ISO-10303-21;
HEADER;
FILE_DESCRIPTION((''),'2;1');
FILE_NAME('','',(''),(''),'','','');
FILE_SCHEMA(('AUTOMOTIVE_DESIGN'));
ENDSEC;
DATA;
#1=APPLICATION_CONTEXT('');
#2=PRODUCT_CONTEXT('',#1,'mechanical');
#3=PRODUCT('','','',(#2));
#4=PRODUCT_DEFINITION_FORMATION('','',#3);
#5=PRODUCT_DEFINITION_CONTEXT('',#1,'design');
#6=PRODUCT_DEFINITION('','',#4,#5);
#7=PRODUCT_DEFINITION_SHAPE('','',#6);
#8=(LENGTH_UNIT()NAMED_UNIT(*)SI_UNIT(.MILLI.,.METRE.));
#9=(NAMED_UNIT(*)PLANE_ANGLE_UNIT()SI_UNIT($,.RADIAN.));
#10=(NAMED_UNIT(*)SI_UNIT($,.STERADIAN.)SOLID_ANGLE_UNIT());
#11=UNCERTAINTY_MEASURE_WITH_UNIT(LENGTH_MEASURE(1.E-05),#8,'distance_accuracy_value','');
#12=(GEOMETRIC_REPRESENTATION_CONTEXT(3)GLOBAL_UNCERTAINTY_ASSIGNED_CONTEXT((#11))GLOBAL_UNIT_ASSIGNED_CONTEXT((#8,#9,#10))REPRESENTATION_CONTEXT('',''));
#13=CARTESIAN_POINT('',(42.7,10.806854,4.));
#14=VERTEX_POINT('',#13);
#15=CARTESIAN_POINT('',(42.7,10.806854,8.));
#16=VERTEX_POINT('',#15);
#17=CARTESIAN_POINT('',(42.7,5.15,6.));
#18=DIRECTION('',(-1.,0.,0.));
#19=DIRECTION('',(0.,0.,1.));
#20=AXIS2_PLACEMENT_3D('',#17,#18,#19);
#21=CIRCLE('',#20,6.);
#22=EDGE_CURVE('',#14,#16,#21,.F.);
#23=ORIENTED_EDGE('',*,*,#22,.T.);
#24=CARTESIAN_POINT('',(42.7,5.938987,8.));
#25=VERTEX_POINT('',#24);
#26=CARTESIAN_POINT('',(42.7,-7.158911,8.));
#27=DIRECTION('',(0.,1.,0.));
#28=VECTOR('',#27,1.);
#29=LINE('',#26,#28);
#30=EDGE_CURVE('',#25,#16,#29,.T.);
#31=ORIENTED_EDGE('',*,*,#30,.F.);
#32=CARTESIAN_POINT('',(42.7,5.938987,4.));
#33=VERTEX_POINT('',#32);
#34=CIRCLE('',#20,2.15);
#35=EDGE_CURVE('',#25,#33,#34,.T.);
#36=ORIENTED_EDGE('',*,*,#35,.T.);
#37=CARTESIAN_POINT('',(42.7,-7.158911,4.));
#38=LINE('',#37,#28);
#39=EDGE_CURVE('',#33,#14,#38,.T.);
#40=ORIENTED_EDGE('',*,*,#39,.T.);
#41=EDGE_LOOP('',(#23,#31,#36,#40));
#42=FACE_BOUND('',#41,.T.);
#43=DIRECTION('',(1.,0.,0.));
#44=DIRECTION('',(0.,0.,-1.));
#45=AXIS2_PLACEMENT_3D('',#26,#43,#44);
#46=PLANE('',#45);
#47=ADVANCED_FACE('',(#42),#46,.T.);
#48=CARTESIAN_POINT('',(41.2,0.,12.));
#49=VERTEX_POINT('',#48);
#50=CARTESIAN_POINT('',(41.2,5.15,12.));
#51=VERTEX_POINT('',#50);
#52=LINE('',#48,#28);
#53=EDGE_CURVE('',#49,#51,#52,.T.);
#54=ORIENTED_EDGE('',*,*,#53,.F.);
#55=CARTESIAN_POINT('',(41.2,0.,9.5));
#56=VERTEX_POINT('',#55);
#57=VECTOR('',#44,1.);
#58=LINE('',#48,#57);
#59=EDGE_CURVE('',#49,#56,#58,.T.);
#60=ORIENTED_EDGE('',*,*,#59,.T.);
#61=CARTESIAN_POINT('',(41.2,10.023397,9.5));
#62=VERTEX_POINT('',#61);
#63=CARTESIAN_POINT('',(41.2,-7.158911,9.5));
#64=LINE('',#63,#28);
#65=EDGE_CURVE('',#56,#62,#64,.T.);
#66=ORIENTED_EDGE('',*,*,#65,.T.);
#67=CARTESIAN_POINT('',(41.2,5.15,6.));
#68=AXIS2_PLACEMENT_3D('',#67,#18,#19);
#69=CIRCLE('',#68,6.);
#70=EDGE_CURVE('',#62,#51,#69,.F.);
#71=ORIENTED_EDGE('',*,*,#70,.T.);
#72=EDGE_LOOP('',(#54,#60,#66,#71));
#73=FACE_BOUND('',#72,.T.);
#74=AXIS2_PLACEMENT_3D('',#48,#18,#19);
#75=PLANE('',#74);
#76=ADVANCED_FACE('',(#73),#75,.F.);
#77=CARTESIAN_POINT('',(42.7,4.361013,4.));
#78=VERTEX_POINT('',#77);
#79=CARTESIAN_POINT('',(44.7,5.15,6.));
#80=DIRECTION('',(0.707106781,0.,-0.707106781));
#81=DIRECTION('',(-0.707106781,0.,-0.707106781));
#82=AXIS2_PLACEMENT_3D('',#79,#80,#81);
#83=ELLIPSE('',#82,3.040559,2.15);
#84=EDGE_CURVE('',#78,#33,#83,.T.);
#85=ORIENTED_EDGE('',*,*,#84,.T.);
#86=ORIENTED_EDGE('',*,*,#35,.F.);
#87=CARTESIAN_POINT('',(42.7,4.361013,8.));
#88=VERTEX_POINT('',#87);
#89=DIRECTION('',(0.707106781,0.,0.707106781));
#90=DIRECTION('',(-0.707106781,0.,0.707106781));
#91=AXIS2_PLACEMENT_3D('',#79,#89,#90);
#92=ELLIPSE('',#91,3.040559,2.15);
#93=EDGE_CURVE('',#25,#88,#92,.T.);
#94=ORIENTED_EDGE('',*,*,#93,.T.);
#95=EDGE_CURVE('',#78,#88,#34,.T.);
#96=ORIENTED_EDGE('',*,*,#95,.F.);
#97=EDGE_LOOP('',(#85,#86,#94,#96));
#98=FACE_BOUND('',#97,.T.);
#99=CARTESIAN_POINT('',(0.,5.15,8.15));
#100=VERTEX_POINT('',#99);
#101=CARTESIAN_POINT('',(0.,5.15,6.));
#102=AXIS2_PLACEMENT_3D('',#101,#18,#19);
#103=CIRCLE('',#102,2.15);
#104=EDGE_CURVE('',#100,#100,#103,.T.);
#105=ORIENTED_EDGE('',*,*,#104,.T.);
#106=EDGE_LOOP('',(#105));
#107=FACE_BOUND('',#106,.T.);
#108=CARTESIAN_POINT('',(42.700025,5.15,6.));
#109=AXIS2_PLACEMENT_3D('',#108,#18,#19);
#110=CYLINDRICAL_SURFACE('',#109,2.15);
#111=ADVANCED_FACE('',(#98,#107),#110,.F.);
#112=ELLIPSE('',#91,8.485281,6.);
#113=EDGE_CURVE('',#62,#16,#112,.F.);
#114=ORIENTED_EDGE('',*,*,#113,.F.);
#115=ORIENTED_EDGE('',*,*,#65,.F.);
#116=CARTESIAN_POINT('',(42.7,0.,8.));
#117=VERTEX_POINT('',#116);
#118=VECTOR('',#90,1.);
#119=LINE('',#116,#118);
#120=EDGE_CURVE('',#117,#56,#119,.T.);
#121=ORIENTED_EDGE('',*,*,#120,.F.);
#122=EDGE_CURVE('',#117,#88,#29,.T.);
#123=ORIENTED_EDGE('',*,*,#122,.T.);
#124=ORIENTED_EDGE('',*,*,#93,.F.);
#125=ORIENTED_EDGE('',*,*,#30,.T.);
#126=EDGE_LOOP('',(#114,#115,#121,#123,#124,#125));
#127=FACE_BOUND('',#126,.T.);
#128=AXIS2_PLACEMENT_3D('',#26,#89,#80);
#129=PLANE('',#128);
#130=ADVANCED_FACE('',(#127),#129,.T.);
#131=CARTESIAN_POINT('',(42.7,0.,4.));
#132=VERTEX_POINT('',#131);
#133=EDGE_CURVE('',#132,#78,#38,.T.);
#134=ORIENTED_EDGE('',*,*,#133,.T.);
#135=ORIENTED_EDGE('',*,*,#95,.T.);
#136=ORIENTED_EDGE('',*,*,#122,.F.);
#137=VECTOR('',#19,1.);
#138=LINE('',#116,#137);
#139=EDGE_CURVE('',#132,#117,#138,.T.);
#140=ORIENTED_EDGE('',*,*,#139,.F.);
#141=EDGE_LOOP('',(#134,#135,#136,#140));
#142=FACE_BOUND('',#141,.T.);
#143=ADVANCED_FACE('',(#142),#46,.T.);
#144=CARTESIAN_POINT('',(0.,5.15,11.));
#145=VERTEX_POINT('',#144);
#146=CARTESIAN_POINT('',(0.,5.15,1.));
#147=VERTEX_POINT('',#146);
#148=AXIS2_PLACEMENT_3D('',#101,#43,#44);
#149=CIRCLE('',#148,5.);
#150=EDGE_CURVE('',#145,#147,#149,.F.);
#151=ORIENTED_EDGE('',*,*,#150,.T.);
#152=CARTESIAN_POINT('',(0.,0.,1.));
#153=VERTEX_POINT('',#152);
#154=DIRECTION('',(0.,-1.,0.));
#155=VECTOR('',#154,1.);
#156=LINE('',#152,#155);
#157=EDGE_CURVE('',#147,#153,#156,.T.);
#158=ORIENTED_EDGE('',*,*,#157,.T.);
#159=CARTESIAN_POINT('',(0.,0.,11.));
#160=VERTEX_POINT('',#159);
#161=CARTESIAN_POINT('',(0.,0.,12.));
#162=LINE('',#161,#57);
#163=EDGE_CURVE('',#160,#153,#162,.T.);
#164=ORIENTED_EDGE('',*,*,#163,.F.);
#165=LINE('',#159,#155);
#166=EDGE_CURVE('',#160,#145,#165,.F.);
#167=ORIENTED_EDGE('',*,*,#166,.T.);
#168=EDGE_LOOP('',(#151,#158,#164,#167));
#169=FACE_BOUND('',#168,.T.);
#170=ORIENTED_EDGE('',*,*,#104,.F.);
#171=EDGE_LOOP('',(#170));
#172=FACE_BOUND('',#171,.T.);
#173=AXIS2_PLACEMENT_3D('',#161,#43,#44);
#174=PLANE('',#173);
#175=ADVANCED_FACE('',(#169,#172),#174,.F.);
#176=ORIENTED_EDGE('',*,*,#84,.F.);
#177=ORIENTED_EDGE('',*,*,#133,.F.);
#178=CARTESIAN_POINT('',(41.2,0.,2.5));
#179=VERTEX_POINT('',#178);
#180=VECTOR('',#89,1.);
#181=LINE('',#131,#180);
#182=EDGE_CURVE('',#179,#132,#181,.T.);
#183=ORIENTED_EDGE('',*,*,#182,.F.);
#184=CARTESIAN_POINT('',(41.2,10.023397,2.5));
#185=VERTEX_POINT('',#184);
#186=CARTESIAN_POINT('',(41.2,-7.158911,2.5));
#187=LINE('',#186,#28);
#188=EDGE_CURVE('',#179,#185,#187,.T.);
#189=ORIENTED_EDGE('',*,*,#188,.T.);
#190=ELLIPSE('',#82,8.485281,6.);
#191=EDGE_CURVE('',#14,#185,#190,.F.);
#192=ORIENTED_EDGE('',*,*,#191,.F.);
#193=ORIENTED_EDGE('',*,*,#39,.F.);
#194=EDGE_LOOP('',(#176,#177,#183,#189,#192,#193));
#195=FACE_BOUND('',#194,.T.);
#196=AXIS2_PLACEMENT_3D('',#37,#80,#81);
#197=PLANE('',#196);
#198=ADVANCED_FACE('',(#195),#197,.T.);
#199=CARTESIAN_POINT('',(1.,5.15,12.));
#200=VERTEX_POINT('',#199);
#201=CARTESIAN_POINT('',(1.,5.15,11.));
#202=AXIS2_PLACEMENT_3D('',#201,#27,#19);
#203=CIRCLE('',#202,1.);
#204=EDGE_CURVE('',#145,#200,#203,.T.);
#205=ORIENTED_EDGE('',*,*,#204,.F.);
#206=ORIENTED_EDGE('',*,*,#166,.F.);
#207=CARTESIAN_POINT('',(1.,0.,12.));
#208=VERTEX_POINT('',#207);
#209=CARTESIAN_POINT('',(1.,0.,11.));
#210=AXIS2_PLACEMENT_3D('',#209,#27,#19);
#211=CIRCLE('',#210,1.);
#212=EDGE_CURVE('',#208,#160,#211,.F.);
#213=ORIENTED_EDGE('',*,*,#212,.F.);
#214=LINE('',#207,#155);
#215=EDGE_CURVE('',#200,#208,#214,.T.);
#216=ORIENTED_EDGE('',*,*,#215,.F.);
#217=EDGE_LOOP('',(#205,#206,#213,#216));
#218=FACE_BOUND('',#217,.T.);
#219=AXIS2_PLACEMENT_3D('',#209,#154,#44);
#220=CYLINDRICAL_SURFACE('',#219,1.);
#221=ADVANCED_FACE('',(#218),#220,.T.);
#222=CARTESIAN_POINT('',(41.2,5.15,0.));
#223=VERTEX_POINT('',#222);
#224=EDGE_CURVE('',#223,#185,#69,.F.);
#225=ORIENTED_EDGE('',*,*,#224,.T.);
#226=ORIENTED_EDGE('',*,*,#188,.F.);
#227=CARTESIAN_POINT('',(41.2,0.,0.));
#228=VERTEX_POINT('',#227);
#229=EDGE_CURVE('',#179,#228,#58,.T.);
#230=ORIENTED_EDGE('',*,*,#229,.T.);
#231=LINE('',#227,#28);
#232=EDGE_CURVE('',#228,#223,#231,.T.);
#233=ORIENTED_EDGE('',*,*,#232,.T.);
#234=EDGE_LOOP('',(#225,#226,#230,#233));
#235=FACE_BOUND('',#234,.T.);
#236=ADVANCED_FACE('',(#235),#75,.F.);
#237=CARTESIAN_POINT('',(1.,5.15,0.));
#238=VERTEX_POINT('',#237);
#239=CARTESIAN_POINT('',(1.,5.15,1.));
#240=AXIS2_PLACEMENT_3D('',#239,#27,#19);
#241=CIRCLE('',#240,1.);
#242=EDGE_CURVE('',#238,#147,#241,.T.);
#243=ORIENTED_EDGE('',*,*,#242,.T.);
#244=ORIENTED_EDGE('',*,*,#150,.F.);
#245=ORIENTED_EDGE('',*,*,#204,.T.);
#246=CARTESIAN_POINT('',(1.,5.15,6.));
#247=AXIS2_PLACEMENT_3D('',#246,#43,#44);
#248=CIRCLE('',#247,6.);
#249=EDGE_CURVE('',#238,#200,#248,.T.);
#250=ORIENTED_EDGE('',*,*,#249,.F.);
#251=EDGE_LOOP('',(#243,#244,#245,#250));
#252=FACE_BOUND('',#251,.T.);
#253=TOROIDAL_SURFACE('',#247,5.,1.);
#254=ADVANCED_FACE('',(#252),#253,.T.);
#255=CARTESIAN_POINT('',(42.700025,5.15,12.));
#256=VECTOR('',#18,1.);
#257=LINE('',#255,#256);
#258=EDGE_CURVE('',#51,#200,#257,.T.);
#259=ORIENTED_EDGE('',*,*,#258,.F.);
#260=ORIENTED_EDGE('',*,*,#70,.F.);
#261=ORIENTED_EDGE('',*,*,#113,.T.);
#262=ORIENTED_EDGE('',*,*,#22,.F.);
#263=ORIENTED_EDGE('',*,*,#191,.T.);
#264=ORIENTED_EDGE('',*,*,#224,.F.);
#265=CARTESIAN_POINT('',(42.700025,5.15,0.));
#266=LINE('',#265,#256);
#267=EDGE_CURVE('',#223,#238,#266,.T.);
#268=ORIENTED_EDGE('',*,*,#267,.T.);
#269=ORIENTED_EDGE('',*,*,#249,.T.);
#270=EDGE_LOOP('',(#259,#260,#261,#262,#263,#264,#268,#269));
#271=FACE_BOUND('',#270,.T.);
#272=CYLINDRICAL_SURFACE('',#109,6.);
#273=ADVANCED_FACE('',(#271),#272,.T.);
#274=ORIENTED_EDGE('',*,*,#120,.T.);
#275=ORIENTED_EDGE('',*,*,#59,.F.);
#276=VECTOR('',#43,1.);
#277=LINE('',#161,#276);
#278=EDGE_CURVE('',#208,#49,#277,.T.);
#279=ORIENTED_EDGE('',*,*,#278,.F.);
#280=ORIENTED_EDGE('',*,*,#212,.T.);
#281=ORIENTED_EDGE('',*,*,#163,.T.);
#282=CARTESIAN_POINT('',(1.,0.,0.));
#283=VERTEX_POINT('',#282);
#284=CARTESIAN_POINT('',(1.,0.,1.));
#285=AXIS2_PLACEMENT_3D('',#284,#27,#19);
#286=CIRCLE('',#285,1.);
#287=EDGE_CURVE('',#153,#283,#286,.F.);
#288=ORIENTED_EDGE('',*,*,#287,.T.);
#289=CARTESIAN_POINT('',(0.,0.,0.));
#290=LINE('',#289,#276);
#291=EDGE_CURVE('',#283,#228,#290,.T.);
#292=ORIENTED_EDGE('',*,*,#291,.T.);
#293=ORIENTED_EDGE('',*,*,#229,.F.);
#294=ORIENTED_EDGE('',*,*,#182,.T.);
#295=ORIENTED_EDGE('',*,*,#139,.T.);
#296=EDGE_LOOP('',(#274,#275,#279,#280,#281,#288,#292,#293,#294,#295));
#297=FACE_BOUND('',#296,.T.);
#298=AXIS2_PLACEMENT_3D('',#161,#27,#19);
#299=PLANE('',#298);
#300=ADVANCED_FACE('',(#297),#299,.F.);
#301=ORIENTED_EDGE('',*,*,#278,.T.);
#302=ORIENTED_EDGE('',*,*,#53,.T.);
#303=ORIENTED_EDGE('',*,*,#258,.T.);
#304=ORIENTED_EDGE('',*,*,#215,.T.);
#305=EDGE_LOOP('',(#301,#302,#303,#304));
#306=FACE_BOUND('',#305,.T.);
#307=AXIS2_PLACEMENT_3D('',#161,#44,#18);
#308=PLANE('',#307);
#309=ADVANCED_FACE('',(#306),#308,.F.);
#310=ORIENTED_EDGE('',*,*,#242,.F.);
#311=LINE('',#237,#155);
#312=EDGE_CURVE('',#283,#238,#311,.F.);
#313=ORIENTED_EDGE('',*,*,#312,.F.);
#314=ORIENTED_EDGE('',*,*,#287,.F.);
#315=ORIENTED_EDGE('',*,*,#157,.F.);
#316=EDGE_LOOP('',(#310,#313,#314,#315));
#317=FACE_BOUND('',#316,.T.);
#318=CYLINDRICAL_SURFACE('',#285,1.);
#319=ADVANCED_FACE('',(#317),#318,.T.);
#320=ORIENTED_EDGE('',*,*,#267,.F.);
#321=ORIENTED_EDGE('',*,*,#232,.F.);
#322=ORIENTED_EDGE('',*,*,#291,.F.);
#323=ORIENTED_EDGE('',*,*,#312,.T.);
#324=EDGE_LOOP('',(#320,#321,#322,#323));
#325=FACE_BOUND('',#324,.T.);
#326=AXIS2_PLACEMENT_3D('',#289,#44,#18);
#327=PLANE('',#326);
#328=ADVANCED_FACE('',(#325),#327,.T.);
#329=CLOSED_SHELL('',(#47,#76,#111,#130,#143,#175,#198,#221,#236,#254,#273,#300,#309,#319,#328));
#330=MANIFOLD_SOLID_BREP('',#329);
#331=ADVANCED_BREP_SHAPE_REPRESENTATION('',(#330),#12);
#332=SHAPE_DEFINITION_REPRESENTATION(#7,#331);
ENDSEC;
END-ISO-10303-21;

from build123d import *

# Parameters (mm, degrees)
SKETCH1_W           = 41.2
SKETCH1_H           = 13
BOSS_EXTRUDE1_DEPTH = 12
BOSS_EXTRUDE3_DEPTH = 13
SKETCH2_R           = 2.15
CUT_EXTRUDE1_DEPTH  = 43.7
FILLET1_R           = 1


with BuildPart() as part:
    # Sketch1 → Boss-Extrude1 (new body)
    with BuildSketch(Plane.XY):
        with Locations((20.6, 6.5)):
            Rectangle(SKETCH1_W, SKETCH1_H)
    extrude(amount=BOSS_EXTRUDE1_DEPTH)

    # Sketch3 → Boss-Extrude3 (add)
    with BuildSketch(Plane(origin=(0, 13, 0), x_dir=(1, 0, 0), z_dir=(0, 1, 0))):
        Polygon((42.7, -8), (41.2, -9.5), (41.2, -2.5), (42.7, -4), align=None)
    extrude(amount=-BOSS_EXTRUDE3_DEPTH)

    # Sketch2 → Cut-Extrude1 (cut, through all)
    with BuildSketch(Plane.ZY):
        with Locations((6, 5.15)):
            Circle(SKETCH2_R)
        with BuildLine():
            Line((-1.89805103, 5.15), (0, 5.15))
            ThreePointArc((0, 5.15), (6, 11.15), (12, 5.15))
            Line((12, 5.15), (16.198164726, 5.15))
            Line((16.198164726, 5.15), (16.198164726, 14.318930959))
            Line((16.198164726, 14.318930959), (-1.89805103, 14.318930959))
            Line((-1.89805103, 14.318930959), (-1.89805103, 5.15))
        make_face()
    extrude(amount=-CUT_EXTRUDE1_DEPTH, mode=Mode.SUBTRACT)

    # Fillet1
    fillet1_edges = [part.edges().sort_by_distance(p)[0] for p in [
        (0, 2.575, 0),
        (0, 2.575, 12),
        (0, 11.15, 6),
    ]]
    fillet(fillet1_edges, radius=FILLET1_R)


solid = part.part
